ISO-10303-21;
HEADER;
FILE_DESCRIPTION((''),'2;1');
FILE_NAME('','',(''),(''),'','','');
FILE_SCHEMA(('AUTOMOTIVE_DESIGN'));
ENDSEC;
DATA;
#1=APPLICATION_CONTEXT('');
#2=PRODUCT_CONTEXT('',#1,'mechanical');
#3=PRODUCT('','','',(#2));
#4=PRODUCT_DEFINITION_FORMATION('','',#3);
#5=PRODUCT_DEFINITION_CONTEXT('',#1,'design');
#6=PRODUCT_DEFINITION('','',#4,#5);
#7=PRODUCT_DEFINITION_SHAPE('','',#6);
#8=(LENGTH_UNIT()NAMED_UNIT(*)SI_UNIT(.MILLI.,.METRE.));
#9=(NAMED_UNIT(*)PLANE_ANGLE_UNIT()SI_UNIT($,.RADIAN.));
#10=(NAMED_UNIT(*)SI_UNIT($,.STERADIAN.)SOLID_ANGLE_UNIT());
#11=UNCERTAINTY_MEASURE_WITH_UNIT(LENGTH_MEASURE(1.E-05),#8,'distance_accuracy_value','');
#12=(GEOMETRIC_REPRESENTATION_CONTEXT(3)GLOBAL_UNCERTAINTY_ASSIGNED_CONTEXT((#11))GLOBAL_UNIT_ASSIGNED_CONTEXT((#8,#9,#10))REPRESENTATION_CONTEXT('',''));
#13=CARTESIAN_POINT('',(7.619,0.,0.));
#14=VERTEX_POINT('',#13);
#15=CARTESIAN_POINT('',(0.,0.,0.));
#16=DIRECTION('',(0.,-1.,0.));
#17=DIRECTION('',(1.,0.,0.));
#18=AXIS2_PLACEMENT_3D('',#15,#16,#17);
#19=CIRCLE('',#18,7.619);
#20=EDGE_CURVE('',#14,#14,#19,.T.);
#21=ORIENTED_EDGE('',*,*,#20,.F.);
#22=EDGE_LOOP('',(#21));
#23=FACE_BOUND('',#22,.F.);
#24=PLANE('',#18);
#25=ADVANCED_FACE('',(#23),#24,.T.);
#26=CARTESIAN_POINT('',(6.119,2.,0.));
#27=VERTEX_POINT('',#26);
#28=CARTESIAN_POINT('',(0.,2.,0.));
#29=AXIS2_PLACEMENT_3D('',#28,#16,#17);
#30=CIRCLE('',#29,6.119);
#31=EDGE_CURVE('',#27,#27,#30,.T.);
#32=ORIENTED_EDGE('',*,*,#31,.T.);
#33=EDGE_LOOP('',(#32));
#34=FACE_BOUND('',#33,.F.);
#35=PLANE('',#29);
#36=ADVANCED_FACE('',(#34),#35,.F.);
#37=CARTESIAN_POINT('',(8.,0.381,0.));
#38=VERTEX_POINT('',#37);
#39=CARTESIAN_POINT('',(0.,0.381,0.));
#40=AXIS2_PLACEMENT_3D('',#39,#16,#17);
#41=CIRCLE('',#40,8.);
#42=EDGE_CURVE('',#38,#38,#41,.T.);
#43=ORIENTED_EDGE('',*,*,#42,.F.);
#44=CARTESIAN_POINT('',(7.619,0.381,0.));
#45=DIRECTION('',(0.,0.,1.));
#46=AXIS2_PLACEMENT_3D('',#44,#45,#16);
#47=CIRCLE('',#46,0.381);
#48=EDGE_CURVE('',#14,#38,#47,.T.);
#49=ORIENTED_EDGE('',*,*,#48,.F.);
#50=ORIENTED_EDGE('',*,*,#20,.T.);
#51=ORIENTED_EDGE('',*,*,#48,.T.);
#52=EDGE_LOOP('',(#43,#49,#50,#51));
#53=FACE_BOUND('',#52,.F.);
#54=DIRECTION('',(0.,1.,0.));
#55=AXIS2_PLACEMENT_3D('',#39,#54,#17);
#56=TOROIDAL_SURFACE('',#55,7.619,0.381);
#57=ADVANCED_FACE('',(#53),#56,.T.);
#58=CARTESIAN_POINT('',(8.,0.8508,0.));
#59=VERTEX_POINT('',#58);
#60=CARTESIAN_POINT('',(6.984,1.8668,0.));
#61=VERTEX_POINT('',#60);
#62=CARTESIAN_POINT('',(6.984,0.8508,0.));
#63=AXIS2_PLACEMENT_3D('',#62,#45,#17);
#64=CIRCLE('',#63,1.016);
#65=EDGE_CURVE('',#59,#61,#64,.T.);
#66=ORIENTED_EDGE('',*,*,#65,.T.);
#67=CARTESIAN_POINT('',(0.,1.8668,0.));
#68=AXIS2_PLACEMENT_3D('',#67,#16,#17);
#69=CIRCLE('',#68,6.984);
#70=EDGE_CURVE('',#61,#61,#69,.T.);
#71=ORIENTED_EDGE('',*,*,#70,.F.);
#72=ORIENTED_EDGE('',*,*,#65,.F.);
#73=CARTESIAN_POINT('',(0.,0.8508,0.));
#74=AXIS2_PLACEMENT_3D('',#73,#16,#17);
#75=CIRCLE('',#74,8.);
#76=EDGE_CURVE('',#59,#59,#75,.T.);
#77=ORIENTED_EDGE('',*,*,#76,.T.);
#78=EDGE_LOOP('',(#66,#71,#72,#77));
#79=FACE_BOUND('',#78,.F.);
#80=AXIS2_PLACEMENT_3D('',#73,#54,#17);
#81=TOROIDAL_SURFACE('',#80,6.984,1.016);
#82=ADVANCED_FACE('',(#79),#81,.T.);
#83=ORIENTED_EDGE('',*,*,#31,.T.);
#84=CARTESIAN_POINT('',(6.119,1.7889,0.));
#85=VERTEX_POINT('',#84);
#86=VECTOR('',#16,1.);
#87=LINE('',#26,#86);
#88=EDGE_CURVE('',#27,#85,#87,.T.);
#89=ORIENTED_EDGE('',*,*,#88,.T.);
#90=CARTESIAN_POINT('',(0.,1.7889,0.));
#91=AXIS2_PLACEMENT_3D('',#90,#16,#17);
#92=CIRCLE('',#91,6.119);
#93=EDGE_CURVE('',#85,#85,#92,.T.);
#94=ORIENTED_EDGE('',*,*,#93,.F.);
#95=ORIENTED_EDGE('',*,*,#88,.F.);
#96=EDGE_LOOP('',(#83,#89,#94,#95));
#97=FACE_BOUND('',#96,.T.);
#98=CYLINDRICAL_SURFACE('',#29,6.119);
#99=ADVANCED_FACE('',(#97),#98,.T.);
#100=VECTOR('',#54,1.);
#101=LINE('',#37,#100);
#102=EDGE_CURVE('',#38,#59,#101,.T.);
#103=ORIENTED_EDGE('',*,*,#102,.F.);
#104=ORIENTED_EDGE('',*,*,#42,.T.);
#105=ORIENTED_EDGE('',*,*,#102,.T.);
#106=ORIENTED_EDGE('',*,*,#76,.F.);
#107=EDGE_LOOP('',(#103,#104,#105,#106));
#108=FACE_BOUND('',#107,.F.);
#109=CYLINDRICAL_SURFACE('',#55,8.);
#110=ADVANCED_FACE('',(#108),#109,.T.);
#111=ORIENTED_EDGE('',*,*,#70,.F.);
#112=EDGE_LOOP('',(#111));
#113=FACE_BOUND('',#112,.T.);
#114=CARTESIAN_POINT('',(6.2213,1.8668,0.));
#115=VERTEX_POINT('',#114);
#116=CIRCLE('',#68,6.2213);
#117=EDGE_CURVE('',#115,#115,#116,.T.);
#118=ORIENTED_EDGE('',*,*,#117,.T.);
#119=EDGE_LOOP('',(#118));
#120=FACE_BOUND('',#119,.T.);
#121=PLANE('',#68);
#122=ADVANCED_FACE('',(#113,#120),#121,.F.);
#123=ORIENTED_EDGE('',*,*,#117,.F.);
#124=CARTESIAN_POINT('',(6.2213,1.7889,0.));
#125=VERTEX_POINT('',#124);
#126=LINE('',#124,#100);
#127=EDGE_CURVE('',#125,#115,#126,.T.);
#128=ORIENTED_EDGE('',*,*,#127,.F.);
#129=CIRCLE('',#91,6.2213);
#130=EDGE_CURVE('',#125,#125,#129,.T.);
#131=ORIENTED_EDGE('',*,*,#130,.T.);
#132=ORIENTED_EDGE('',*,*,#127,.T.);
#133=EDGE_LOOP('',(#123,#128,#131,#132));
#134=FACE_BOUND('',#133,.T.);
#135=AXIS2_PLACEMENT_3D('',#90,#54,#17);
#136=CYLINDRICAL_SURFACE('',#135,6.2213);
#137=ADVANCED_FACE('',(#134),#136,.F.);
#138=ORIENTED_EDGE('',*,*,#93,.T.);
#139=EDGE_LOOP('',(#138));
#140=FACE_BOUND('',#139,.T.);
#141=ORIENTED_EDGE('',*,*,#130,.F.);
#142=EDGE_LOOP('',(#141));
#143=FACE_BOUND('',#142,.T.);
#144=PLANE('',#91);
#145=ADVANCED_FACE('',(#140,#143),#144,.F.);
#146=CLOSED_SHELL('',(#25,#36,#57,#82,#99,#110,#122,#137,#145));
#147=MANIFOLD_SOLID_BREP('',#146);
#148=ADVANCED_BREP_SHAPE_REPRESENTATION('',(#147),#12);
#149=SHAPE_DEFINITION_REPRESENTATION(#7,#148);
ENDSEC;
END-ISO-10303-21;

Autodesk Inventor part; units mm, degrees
ref_plane "YZ Plane" through (0, 0, 0) normal (1, 0, 0) x (0, 1, 0)
ref_plane "XZ Plane" through (0, 0, 0) normal (0, 1, 0) x (-1, 0, 0)
ref_plane "XY Plane" through (0, 0, 0) normal (0, 0, 1) x (1, 0, 0)
sketch "Sketch1" plane through (0, 0, 0) normal (0, 0, 1) x (1, 0, 0)
  line L0 (0, 0) -> (7.619, 0)
  line L1 (8, 0.381) -> (8, 0.8508)
  line L2 (8, 2) -> (0, 2)
  line L3 (0, 2) -> (0, 0)
  arc A0 (7.619, 0) -> (8, 0.381) centre (7.619, 0.381) ccw
  arc A1 (8, 0.8508) -> (6.984, 1.8668) centre (6.984, 0.8508) ccw
  line L4 (6.119, 2) -> (6.119, 1.7889)
  line L5 (6.119, 1.7889) -> (6.2213, 1.7889)
  line L6 (6.2213, 1.7889) -> (6.2213, 1.8668)
  line L7 (6.2213, 1.8668) -> (6.984, 1.8668)
  line L8 (6.119, 2) -> (0, 2)
  point P0 (8, 0)
  dimension "d1" = 2
  dimension "d2" = 0.381
  dimension "d3" = 1.016
revolve "Revolution1" add sketch "Sketch1" angle 360 about axis through (0, 2, 0) along (0, -1, 0)
properties part number "cr1620" material "Aluminum 6061"
